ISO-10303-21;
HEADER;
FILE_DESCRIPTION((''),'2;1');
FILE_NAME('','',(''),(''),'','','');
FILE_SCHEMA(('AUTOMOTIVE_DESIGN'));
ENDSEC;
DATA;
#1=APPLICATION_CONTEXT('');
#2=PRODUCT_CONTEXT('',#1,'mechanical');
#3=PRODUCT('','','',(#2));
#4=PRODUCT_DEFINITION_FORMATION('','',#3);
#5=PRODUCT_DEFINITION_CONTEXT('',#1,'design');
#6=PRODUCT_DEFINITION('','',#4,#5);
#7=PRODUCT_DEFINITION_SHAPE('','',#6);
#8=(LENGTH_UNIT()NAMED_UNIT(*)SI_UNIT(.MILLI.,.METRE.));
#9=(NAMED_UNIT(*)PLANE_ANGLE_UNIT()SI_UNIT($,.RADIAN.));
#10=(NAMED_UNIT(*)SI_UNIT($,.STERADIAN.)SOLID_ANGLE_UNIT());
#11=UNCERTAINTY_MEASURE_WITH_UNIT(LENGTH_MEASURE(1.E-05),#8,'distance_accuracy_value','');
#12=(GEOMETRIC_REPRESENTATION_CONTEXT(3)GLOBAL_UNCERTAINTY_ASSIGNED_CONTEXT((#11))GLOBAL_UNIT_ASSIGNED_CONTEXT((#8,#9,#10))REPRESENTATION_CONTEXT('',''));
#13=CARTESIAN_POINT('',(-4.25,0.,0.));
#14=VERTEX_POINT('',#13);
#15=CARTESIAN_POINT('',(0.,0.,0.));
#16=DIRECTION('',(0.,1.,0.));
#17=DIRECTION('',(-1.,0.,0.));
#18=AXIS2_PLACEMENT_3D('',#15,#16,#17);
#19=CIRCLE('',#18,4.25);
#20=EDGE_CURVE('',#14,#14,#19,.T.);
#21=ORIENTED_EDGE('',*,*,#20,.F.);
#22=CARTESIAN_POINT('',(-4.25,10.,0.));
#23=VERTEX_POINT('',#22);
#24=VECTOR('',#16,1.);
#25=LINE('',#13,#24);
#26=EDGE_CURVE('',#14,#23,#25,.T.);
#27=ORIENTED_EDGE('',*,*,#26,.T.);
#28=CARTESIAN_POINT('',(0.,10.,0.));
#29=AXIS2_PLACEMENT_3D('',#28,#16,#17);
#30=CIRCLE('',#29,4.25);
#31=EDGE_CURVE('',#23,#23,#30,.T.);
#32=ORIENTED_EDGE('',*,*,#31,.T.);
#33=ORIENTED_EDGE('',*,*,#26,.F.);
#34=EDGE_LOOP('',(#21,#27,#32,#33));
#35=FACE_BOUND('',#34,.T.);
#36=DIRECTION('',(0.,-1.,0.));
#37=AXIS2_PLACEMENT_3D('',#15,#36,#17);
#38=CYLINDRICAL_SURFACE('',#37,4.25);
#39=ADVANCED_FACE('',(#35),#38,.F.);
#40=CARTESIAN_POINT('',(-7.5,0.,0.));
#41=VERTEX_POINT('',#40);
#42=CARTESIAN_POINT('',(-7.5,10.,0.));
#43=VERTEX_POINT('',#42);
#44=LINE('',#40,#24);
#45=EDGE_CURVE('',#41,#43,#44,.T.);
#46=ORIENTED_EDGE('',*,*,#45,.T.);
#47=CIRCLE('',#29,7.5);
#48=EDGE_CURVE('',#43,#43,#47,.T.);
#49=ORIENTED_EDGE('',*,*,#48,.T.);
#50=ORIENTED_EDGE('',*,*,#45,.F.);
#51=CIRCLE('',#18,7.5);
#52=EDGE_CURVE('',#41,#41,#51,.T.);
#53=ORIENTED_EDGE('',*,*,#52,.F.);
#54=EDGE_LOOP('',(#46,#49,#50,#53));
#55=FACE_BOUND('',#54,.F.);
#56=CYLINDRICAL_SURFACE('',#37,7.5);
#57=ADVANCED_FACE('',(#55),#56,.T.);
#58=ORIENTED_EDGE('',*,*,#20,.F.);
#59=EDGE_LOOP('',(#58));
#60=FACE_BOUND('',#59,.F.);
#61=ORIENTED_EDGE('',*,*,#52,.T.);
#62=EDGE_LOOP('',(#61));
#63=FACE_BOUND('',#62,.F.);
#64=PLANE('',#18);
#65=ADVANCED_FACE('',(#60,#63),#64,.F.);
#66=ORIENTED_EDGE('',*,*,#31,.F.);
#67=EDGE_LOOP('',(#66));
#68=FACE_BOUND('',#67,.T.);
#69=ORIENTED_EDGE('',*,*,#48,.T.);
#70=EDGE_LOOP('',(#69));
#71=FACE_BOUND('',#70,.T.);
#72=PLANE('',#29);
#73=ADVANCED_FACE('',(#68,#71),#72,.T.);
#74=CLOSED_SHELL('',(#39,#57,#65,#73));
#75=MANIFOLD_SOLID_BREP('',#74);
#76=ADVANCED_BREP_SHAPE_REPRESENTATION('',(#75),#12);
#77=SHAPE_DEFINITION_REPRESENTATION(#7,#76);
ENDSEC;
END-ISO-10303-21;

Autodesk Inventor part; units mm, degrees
ref_plane "YZ Plane" through (0, 0, 0) normal (1, 0, 0) x (0, 1, 0)
ref_plane "XZ Plane" through (0, 0, 0) normal (0, 1, 0) x (-1, 0, 0)
ref_plane "XY Plane" through (0, 0, 0) normal (0, 0, 1) x (1, 0, 0)
sketch "スケッチ1" plane through (0, 0, 0) normal (0, 1, 0) x (-1, 0, 0)
  point P0 (0, 0)
sketch "スケッチ2" plane through (0, 0, 0) normal (0, 1, 0) x (-1, 0, 0)
  circle A0 centre (0, 0) radius 4.25
  circle A1 centre (0, 0) radius 7.5
  dimension "d0" = 8.5
  dimension "d1" = 15
extrude "押し出し1" add sketch "スケッチ2" along normal blind 10
properties part number "shoulder2_shaftholder_spacer_upper"
